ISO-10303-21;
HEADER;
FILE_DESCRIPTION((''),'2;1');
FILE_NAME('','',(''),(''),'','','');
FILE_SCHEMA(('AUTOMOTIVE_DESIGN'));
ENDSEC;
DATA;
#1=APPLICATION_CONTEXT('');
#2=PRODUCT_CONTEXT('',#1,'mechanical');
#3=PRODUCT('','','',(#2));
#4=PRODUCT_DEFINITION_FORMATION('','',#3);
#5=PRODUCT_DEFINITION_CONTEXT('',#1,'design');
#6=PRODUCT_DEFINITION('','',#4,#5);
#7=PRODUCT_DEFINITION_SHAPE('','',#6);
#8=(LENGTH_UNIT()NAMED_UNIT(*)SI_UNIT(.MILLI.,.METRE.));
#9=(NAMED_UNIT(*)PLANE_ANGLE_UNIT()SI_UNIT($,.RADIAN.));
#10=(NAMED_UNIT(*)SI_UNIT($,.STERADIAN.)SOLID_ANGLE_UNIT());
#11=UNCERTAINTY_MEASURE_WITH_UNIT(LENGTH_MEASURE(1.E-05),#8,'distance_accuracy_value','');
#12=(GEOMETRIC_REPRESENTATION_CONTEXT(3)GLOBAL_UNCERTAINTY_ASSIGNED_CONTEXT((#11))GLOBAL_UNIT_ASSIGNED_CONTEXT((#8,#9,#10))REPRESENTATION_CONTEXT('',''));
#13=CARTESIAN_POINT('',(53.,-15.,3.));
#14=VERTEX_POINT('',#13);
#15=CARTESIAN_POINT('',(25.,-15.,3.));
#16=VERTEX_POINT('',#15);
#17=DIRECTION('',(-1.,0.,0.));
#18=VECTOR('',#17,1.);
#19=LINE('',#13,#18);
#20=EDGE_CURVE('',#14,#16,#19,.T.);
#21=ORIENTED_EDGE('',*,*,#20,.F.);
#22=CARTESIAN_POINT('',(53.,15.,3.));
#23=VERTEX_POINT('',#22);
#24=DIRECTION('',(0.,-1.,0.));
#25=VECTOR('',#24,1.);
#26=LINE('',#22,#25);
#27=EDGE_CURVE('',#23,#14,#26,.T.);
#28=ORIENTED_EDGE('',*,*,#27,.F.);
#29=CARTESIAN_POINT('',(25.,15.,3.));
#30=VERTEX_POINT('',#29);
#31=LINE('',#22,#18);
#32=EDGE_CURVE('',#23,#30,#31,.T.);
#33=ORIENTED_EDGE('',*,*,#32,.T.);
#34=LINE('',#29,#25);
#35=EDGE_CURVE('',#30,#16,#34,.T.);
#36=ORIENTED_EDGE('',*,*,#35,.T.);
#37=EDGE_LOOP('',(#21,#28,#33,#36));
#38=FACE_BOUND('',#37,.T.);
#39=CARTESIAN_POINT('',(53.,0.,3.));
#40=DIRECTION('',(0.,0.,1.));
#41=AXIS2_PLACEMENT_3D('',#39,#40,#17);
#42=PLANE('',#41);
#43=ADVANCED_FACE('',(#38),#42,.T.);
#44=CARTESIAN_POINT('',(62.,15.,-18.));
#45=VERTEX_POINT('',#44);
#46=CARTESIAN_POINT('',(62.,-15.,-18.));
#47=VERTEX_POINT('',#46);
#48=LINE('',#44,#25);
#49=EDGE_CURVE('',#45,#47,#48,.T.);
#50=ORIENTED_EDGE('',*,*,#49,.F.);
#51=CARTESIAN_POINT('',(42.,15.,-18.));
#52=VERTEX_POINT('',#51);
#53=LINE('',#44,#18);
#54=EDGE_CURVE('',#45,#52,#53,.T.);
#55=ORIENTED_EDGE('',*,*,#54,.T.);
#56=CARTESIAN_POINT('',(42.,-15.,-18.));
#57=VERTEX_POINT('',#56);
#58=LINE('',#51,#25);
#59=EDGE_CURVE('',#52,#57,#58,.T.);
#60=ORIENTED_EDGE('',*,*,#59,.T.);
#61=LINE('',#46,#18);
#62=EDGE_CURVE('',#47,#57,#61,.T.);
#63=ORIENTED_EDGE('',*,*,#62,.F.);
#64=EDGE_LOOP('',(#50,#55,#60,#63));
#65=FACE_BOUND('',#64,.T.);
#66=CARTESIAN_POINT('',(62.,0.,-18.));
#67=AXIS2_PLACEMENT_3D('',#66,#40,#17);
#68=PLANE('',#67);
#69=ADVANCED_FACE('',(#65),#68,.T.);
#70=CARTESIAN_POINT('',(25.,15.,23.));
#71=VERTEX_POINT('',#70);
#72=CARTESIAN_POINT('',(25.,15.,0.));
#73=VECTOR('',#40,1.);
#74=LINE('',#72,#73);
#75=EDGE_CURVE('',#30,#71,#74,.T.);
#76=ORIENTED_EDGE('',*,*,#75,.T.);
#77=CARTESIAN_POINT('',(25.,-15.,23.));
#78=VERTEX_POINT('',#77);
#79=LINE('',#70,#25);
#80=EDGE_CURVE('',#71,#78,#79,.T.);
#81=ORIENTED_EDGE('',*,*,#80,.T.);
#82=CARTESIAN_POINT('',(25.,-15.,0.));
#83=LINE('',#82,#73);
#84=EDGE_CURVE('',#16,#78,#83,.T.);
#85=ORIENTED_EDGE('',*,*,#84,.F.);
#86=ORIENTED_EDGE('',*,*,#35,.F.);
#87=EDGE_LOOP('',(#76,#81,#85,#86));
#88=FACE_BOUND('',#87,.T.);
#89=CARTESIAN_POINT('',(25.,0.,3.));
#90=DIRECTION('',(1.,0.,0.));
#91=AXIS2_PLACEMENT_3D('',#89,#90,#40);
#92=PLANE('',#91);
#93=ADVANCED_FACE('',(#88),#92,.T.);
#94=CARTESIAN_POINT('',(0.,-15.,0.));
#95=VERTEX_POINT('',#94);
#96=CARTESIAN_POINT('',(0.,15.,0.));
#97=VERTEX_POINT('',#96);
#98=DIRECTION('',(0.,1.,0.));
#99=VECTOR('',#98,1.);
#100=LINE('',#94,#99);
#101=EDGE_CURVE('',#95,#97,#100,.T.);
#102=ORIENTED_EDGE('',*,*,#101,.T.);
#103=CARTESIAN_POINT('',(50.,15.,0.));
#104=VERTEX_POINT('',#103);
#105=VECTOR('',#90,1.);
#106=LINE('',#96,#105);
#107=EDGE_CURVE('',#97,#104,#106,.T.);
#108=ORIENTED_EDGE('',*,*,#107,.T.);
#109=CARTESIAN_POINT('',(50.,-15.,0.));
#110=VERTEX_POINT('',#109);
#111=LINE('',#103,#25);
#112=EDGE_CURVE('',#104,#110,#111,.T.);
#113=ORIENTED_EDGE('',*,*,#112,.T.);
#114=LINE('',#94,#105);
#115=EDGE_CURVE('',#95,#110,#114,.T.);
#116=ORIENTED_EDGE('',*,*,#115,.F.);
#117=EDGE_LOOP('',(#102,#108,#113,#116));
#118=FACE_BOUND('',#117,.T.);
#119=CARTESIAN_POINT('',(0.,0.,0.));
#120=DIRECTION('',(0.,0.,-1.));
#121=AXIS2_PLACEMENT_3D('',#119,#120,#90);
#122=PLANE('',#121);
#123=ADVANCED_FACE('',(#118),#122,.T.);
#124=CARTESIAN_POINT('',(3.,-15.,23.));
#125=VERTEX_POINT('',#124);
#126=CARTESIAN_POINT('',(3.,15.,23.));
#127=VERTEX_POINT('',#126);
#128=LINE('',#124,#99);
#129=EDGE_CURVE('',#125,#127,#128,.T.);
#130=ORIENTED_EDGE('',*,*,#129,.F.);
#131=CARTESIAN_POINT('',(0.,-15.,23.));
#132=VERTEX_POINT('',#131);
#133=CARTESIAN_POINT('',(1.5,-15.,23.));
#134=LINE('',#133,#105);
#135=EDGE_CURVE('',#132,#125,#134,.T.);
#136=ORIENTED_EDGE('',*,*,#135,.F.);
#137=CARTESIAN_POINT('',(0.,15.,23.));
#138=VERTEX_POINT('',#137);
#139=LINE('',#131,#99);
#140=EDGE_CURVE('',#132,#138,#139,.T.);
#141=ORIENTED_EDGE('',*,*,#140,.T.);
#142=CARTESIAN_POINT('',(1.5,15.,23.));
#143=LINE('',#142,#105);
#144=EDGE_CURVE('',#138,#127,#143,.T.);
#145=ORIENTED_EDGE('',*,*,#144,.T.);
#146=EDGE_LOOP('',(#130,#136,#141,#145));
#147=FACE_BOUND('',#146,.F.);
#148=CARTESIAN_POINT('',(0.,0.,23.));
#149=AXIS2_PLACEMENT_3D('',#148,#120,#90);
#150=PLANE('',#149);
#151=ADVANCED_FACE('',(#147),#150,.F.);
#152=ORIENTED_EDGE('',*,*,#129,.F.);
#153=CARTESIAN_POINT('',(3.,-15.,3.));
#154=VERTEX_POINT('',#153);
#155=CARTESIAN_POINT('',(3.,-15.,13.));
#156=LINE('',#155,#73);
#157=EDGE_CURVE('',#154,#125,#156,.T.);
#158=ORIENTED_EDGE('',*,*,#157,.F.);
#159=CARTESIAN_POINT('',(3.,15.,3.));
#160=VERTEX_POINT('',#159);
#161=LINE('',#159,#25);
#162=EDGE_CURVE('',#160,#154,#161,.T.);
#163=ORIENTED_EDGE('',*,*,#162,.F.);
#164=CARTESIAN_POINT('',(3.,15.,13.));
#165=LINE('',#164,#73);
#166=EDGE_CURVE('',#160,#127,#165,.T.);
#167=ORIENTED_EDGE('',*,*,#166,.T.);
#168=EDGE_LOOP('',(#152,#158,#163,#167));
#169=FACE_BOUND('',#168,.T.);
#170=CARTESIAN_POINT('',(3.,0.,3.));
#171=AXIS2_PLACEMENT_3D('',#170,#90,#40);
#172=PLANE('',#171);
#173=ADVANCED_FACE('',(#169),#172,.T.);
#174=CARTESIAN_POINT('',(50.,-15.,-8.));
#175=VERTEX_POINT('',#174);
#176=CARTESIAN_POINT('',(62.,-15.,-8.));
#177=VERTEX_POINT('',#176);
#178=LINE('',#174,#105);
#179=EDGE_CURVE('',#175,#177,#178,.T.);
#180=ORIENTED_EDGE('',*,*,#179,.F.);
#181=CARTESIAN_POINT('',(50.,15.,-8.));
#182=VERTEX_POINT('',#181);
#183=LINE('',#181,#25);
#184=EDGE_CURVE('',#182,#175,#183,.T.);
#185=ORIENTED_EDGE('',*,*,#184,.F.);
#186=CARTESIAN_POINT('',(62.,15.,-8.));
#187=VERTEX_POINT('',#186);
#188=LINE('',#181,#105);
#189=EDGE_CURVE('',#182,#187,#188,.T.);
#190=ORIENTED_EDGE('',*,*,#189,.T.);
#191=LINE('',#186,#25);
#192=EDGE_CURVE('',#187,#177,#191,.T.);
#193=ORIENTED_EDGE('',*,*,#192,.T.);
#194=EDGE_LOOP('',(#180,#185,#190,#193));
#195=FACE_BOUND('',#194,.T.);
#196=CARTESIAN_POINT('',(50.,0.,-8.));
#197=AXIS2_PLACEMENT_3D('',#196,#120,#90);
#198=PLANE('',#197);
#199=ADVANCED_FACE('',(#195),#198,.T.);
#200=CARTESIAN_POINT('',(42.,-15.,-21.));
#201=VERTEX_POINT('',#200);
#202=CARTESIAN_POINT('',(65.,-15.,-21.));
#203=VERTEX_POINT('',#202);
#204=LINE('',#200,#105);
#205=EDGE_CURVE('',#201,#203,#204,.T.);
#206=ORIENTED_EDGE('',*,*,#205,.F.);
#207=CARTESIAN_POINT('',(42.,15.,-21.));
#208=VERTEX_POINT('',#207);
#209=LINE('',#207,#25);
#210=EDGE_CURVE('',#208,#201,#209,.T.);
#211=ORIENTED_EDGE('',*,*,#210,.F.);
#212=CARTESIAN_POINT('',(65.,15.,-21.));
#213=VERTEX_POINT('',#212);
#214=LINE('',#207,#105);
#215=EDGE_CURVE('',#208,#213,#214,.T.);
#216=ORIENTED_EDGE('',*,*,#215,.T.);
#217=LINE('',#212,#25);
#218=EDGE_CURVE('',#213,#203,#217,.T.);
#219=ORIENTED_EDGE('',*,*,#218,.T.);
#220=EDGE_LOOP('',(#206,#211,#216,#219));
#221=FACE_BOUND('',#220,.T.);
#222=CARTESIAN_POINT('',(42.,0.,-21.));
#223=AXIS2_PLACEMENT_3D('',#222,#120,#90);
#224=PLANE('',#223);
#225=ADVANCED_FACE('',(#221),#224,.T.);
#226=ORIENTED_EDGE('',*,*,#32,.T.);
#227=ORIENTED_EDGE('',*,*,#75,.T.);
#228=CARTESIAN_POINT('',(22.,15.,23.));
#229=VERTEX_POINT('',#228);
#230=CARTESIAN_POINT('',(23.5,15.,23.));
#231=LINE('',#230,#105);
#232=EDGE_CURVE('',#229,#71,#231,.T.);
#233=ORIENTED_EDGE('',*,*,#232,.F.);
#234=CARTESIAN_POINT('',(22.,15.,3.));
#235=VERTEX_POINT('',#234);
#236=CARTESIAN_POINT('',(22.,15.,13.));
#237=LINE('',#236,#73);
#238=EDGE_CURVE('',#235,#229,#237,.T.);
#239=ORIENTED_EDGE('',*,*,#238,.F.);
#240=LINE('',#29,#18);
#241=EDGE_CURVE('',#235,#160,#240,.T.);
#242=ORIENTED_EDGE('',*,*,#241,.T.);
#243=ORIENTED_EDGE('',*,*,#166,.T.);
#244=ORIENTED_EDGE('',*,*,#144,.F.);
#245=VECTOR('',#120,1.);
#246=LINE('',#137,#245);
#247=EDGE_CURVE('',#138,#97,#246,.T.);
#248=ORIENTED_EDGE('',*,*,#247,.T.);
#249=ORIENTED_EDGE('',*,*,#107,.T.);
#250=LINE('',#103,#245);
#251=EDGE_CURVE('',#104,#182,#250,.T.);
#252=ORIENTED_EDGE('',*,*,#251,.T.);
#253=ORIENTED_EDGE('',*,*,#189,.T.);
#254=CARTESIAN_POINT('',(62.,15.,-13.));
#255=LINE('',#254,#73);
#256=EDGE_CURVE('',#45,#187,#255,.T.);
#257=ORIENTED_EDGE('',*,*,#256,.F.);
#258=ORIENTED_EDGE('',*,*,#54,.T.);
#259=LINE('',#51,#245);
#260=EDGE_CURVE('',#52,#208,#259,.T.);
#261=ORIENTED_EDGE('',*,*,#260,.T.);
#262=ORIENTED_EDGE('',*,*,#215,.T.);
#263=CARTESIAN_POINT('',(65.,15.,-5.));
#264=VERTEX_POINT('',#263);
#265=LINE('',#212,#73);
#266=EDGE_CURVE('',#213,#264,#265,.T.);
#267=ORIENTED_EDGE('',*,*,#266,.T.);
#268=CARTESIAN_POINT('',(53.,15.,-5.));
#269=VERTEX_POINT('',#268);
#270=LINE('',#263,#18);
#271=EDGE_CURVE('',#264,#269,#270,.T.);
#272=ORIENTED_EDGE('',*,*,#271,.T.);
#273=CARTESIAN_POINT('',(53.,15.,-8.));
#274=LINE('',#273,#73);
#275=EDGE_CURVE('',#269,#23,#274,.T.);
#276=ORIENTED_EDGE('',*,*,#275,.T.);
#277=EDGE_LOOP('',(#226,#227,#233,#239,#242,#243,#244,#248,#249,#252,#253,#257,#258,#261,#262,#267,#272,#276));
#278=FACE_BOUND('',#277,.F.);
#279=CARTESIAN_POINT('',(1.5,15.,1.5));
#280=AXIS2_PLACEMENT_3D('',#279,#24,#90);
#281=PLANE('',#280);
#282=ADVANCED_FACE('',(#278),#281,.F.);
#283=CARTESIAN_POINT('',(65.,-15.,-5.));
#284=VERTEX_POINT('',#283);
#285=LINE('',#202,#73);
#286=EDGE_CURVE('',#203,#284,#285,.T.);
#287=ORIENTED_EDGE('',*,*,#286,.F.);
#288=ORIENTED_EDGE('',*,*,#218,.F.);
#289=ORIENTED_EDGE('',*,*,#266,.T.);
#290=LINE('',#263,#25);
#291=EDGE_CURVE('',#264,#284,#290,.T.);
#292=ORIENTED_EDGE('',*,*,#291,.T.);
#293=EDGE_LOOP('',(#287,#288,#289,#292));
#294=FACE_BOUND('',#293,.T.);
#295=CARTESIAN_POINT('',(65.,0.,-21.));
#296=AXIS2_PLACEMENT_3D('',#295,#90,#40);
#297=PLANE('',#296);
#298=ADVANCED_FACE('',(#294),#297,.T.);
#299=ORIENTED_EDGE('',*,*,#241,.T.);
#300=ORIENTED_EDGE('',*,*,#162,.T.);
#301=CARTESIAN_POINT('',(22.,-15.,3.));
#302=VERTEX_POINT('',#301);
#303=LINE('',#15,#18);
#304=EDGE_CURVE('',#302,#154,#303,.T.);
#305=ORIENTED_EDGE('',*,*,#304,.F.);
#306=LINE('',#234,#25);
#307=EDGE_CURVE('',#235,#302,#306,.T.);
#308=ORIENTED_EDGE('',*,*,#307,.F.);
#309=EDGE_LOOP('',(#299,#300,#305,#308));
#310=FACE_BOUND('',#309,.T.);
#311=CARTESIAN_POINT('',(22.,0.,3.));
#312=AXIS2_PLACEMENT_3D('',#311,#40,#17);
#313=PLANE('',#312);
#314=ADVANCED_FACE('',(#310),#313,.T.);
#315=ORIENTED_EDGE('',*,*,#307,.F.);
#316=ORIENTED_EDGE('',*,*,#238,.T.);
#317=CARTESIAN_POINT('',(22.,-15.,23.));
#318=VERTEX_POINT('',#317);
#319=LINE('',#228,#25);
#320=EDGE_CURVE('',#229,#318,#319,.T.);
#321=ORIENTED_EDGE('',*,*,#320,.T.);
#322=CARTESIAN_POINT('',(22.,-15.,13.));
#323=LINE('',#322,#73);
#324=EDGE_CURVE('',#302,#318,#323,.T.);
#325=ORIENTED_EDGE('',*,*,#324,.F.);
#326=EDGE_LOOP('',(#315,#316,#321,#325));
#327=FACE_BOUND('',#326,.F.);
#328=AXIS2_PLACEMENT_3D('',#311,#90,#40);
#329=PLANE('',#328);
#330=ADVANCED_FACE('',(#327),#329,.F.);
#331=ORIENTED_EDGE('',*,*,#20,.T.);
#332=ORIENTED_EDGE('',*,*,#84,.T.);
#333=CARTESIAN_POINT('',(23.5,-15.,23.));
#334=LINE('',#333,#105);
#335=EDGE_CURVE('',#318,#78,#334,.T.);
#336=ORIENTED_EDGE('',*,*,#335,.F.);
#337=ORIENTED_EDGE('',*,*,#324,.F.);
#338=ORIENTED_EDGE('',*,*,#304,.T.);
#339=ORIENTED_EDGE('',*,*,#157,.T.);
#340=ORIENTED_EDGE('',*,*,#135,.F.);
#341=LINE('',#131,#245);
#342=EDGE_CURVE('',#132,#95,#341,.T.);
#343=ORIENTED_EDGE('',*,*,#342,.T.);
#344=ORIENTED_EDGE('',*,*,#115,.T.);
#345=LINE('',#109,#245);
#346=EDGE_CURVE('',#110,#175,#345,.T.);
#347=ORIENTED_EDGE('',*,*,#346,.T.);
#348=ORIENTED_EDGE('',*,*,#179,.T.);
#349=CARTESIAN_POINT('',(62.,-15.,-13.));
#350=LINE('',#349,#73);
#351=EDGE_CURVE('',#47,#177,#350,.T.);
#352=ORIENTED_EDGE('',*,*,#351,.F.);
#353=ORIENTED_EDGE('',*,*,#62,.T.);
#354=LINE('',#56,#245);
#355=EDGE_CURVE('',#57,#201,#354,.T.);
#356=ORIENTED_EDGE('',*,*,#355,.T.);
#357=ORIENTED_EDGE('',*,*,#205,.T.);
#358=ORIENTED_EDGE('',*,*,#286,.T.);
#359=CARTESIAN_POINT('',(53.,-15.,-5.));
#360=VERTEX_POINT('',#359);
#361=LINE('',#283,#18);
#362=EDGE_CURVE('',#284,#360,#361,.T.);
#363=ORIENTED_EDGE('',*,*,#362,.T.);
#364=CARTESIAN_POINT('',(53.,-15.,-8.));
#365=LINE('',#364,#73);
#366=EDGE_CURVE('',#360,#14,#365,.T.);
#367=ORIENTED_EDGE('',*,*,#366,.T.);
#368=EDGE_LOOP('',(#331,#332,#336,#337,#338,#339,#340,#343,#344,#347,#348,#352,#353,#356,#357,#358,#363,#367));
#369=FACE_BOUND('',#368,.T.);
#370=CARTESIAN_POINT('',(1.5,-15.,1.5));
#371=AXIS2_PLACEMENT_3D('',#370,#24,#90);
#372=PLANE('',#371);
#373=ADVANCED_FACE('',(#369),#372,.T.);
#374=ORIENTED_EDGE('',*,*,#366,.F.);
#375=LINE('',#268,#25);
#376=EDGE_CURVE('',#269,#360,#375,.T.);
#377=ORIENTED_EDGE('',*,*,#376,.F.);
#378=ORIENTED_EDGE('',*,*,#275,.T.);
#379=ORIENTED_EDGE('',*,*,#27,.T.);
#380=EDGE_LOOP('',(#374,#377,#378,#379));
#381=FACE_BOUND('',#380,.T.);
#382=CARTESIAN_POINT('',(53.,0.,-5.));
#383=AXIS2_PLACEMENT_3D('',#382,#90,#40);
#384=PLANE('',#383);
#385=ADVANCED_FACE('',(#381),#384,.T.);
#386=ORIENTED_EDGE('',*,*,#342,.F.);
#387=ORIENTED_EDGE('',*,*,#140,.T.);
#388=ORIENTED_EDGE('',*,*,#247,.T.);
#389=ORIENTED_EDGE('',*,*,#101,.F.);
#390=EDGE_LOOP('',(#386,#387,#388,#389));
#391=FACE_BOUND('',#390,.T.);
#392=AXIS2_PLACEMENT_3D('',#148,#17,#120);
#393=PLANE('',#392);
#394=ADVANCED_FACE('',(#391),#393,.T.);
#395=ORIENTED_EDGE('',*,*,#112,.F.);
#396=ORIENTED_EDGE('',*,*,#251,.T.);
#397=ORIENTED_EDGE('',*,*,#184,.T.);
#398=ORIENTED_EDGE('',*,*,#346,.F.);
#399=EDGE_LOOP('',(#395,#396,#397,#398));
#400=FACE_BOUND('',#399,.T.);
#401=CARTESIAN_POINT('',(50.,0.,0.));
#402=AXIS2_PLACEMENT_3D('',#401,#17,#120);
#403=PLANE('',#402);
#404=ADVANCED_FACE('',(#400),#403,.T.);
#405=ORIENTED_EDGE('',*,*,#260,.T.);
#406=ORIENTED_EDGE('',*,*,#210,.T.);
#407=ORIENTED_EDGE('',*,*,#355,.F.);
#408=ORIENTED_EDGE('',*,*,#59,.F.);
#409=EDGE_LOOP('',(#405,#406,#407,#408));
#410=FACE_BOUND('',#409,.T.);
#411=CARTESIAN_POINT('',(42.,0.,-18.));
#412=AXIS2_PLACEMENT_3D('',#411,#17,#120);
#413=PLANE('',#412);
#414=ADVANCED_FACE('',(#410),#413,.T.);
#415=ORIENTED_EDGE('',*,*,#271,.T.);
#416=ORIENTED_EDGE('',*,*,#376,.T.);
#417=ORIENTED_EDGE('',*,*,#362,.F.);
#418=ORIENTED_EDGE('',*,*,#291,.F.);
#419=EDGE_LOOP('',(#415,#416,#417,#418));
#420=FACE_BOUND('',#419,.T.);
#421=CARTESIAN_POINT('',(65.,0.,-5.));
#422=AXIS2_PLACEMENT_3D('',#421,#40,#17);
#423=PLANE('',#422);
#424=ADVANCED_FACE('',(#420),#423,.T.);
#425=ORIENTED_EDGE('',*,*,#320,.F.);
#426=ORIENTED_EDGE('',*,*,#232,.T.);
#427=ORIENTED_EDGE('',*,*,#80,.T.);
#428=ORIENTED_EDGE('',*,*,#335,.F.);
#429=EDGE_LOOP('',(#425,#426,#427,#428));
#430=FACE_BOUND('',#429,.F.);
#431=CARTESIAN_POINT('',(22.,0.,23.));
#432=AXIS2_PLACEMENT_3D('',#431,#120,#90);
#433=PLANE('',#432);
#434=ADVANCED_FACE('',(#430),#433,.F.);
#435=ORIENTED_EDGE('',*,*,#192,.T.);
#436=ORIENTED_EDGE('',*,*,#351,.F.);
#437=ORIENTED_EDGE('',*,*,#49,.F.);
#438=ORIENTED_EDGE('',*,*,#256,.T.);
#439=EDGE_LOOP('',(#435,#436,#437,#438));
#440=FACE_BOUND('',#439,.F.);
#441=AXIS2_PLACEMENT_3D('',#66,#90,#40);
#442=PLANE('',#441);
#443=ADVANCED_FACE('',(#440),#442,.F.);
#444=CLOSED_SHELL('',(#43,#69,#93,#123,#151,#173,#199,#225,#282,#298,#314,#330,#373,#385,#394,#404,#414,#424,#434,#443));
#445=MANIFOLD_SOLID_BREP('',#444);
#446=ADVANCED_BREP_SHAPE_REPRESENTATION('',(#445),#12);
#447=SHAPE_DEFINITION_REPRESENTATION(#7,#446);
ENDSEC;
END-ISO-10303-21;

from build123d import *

# Parameters (mm, degrees)
F0_W          = 3
F0_H          = 3
F0_W_2        = 19
F0_H_2        = 20
F0_W_3        = 25
F0_W_4        = 9
F0_H_3        = 10
F1_DEPTH      = 15
F1_DEPTH_BACK = 15


with BuildPart() as f1:
    # F0 (on Front) → F1 (new body, two sides)
    with BuildSketch(Plane.XZ) as f1_sk:
        with Locations((1.5, 1.5)):
            Rectangle(F0_W, F0_H)
        with Locations((12.5, 1.5)):
            Rectangle(F0_W_2, F0_H)
        with Locations((1.5, 13)):
            Rectangle(F0_W, F0_H_2)
        with Locations((23.5, 1.5)):
            Rectangle(F0_W, F0_H)
        with Locations((23.5, 13)):
            Rectangle(F0_W, F0_H_2)
        with Locations((37.5, 1.5)):
            Rectangle(F0_W_3, F0_H)
        Polygon((50, 3), (50, 0), (50, -5), (53, -5), (53, 3), align=None)
        with Locations((51.5, -6.5)):
            Rectangle(F0_W, F0_H)
        with Locations((57.5, -6.5)):
            Rectangle(F0_W_4, F0_H)
        with Locations((63.5, -6.5)):
            Rectangle(F0_W, F0_H)
        with Locations((63.5, -13)):
            Rectangle(F0_W, F0_H_3)
        Polygon((65, -18), (62, -18), (42, -18), (42, -21), (65, -21), align=None)
    extrude(amount=F1_DEPTH)
    extrude(f1_sk.sketch, amount=-F1_DEPTH_BACK)


solid = f1.part
